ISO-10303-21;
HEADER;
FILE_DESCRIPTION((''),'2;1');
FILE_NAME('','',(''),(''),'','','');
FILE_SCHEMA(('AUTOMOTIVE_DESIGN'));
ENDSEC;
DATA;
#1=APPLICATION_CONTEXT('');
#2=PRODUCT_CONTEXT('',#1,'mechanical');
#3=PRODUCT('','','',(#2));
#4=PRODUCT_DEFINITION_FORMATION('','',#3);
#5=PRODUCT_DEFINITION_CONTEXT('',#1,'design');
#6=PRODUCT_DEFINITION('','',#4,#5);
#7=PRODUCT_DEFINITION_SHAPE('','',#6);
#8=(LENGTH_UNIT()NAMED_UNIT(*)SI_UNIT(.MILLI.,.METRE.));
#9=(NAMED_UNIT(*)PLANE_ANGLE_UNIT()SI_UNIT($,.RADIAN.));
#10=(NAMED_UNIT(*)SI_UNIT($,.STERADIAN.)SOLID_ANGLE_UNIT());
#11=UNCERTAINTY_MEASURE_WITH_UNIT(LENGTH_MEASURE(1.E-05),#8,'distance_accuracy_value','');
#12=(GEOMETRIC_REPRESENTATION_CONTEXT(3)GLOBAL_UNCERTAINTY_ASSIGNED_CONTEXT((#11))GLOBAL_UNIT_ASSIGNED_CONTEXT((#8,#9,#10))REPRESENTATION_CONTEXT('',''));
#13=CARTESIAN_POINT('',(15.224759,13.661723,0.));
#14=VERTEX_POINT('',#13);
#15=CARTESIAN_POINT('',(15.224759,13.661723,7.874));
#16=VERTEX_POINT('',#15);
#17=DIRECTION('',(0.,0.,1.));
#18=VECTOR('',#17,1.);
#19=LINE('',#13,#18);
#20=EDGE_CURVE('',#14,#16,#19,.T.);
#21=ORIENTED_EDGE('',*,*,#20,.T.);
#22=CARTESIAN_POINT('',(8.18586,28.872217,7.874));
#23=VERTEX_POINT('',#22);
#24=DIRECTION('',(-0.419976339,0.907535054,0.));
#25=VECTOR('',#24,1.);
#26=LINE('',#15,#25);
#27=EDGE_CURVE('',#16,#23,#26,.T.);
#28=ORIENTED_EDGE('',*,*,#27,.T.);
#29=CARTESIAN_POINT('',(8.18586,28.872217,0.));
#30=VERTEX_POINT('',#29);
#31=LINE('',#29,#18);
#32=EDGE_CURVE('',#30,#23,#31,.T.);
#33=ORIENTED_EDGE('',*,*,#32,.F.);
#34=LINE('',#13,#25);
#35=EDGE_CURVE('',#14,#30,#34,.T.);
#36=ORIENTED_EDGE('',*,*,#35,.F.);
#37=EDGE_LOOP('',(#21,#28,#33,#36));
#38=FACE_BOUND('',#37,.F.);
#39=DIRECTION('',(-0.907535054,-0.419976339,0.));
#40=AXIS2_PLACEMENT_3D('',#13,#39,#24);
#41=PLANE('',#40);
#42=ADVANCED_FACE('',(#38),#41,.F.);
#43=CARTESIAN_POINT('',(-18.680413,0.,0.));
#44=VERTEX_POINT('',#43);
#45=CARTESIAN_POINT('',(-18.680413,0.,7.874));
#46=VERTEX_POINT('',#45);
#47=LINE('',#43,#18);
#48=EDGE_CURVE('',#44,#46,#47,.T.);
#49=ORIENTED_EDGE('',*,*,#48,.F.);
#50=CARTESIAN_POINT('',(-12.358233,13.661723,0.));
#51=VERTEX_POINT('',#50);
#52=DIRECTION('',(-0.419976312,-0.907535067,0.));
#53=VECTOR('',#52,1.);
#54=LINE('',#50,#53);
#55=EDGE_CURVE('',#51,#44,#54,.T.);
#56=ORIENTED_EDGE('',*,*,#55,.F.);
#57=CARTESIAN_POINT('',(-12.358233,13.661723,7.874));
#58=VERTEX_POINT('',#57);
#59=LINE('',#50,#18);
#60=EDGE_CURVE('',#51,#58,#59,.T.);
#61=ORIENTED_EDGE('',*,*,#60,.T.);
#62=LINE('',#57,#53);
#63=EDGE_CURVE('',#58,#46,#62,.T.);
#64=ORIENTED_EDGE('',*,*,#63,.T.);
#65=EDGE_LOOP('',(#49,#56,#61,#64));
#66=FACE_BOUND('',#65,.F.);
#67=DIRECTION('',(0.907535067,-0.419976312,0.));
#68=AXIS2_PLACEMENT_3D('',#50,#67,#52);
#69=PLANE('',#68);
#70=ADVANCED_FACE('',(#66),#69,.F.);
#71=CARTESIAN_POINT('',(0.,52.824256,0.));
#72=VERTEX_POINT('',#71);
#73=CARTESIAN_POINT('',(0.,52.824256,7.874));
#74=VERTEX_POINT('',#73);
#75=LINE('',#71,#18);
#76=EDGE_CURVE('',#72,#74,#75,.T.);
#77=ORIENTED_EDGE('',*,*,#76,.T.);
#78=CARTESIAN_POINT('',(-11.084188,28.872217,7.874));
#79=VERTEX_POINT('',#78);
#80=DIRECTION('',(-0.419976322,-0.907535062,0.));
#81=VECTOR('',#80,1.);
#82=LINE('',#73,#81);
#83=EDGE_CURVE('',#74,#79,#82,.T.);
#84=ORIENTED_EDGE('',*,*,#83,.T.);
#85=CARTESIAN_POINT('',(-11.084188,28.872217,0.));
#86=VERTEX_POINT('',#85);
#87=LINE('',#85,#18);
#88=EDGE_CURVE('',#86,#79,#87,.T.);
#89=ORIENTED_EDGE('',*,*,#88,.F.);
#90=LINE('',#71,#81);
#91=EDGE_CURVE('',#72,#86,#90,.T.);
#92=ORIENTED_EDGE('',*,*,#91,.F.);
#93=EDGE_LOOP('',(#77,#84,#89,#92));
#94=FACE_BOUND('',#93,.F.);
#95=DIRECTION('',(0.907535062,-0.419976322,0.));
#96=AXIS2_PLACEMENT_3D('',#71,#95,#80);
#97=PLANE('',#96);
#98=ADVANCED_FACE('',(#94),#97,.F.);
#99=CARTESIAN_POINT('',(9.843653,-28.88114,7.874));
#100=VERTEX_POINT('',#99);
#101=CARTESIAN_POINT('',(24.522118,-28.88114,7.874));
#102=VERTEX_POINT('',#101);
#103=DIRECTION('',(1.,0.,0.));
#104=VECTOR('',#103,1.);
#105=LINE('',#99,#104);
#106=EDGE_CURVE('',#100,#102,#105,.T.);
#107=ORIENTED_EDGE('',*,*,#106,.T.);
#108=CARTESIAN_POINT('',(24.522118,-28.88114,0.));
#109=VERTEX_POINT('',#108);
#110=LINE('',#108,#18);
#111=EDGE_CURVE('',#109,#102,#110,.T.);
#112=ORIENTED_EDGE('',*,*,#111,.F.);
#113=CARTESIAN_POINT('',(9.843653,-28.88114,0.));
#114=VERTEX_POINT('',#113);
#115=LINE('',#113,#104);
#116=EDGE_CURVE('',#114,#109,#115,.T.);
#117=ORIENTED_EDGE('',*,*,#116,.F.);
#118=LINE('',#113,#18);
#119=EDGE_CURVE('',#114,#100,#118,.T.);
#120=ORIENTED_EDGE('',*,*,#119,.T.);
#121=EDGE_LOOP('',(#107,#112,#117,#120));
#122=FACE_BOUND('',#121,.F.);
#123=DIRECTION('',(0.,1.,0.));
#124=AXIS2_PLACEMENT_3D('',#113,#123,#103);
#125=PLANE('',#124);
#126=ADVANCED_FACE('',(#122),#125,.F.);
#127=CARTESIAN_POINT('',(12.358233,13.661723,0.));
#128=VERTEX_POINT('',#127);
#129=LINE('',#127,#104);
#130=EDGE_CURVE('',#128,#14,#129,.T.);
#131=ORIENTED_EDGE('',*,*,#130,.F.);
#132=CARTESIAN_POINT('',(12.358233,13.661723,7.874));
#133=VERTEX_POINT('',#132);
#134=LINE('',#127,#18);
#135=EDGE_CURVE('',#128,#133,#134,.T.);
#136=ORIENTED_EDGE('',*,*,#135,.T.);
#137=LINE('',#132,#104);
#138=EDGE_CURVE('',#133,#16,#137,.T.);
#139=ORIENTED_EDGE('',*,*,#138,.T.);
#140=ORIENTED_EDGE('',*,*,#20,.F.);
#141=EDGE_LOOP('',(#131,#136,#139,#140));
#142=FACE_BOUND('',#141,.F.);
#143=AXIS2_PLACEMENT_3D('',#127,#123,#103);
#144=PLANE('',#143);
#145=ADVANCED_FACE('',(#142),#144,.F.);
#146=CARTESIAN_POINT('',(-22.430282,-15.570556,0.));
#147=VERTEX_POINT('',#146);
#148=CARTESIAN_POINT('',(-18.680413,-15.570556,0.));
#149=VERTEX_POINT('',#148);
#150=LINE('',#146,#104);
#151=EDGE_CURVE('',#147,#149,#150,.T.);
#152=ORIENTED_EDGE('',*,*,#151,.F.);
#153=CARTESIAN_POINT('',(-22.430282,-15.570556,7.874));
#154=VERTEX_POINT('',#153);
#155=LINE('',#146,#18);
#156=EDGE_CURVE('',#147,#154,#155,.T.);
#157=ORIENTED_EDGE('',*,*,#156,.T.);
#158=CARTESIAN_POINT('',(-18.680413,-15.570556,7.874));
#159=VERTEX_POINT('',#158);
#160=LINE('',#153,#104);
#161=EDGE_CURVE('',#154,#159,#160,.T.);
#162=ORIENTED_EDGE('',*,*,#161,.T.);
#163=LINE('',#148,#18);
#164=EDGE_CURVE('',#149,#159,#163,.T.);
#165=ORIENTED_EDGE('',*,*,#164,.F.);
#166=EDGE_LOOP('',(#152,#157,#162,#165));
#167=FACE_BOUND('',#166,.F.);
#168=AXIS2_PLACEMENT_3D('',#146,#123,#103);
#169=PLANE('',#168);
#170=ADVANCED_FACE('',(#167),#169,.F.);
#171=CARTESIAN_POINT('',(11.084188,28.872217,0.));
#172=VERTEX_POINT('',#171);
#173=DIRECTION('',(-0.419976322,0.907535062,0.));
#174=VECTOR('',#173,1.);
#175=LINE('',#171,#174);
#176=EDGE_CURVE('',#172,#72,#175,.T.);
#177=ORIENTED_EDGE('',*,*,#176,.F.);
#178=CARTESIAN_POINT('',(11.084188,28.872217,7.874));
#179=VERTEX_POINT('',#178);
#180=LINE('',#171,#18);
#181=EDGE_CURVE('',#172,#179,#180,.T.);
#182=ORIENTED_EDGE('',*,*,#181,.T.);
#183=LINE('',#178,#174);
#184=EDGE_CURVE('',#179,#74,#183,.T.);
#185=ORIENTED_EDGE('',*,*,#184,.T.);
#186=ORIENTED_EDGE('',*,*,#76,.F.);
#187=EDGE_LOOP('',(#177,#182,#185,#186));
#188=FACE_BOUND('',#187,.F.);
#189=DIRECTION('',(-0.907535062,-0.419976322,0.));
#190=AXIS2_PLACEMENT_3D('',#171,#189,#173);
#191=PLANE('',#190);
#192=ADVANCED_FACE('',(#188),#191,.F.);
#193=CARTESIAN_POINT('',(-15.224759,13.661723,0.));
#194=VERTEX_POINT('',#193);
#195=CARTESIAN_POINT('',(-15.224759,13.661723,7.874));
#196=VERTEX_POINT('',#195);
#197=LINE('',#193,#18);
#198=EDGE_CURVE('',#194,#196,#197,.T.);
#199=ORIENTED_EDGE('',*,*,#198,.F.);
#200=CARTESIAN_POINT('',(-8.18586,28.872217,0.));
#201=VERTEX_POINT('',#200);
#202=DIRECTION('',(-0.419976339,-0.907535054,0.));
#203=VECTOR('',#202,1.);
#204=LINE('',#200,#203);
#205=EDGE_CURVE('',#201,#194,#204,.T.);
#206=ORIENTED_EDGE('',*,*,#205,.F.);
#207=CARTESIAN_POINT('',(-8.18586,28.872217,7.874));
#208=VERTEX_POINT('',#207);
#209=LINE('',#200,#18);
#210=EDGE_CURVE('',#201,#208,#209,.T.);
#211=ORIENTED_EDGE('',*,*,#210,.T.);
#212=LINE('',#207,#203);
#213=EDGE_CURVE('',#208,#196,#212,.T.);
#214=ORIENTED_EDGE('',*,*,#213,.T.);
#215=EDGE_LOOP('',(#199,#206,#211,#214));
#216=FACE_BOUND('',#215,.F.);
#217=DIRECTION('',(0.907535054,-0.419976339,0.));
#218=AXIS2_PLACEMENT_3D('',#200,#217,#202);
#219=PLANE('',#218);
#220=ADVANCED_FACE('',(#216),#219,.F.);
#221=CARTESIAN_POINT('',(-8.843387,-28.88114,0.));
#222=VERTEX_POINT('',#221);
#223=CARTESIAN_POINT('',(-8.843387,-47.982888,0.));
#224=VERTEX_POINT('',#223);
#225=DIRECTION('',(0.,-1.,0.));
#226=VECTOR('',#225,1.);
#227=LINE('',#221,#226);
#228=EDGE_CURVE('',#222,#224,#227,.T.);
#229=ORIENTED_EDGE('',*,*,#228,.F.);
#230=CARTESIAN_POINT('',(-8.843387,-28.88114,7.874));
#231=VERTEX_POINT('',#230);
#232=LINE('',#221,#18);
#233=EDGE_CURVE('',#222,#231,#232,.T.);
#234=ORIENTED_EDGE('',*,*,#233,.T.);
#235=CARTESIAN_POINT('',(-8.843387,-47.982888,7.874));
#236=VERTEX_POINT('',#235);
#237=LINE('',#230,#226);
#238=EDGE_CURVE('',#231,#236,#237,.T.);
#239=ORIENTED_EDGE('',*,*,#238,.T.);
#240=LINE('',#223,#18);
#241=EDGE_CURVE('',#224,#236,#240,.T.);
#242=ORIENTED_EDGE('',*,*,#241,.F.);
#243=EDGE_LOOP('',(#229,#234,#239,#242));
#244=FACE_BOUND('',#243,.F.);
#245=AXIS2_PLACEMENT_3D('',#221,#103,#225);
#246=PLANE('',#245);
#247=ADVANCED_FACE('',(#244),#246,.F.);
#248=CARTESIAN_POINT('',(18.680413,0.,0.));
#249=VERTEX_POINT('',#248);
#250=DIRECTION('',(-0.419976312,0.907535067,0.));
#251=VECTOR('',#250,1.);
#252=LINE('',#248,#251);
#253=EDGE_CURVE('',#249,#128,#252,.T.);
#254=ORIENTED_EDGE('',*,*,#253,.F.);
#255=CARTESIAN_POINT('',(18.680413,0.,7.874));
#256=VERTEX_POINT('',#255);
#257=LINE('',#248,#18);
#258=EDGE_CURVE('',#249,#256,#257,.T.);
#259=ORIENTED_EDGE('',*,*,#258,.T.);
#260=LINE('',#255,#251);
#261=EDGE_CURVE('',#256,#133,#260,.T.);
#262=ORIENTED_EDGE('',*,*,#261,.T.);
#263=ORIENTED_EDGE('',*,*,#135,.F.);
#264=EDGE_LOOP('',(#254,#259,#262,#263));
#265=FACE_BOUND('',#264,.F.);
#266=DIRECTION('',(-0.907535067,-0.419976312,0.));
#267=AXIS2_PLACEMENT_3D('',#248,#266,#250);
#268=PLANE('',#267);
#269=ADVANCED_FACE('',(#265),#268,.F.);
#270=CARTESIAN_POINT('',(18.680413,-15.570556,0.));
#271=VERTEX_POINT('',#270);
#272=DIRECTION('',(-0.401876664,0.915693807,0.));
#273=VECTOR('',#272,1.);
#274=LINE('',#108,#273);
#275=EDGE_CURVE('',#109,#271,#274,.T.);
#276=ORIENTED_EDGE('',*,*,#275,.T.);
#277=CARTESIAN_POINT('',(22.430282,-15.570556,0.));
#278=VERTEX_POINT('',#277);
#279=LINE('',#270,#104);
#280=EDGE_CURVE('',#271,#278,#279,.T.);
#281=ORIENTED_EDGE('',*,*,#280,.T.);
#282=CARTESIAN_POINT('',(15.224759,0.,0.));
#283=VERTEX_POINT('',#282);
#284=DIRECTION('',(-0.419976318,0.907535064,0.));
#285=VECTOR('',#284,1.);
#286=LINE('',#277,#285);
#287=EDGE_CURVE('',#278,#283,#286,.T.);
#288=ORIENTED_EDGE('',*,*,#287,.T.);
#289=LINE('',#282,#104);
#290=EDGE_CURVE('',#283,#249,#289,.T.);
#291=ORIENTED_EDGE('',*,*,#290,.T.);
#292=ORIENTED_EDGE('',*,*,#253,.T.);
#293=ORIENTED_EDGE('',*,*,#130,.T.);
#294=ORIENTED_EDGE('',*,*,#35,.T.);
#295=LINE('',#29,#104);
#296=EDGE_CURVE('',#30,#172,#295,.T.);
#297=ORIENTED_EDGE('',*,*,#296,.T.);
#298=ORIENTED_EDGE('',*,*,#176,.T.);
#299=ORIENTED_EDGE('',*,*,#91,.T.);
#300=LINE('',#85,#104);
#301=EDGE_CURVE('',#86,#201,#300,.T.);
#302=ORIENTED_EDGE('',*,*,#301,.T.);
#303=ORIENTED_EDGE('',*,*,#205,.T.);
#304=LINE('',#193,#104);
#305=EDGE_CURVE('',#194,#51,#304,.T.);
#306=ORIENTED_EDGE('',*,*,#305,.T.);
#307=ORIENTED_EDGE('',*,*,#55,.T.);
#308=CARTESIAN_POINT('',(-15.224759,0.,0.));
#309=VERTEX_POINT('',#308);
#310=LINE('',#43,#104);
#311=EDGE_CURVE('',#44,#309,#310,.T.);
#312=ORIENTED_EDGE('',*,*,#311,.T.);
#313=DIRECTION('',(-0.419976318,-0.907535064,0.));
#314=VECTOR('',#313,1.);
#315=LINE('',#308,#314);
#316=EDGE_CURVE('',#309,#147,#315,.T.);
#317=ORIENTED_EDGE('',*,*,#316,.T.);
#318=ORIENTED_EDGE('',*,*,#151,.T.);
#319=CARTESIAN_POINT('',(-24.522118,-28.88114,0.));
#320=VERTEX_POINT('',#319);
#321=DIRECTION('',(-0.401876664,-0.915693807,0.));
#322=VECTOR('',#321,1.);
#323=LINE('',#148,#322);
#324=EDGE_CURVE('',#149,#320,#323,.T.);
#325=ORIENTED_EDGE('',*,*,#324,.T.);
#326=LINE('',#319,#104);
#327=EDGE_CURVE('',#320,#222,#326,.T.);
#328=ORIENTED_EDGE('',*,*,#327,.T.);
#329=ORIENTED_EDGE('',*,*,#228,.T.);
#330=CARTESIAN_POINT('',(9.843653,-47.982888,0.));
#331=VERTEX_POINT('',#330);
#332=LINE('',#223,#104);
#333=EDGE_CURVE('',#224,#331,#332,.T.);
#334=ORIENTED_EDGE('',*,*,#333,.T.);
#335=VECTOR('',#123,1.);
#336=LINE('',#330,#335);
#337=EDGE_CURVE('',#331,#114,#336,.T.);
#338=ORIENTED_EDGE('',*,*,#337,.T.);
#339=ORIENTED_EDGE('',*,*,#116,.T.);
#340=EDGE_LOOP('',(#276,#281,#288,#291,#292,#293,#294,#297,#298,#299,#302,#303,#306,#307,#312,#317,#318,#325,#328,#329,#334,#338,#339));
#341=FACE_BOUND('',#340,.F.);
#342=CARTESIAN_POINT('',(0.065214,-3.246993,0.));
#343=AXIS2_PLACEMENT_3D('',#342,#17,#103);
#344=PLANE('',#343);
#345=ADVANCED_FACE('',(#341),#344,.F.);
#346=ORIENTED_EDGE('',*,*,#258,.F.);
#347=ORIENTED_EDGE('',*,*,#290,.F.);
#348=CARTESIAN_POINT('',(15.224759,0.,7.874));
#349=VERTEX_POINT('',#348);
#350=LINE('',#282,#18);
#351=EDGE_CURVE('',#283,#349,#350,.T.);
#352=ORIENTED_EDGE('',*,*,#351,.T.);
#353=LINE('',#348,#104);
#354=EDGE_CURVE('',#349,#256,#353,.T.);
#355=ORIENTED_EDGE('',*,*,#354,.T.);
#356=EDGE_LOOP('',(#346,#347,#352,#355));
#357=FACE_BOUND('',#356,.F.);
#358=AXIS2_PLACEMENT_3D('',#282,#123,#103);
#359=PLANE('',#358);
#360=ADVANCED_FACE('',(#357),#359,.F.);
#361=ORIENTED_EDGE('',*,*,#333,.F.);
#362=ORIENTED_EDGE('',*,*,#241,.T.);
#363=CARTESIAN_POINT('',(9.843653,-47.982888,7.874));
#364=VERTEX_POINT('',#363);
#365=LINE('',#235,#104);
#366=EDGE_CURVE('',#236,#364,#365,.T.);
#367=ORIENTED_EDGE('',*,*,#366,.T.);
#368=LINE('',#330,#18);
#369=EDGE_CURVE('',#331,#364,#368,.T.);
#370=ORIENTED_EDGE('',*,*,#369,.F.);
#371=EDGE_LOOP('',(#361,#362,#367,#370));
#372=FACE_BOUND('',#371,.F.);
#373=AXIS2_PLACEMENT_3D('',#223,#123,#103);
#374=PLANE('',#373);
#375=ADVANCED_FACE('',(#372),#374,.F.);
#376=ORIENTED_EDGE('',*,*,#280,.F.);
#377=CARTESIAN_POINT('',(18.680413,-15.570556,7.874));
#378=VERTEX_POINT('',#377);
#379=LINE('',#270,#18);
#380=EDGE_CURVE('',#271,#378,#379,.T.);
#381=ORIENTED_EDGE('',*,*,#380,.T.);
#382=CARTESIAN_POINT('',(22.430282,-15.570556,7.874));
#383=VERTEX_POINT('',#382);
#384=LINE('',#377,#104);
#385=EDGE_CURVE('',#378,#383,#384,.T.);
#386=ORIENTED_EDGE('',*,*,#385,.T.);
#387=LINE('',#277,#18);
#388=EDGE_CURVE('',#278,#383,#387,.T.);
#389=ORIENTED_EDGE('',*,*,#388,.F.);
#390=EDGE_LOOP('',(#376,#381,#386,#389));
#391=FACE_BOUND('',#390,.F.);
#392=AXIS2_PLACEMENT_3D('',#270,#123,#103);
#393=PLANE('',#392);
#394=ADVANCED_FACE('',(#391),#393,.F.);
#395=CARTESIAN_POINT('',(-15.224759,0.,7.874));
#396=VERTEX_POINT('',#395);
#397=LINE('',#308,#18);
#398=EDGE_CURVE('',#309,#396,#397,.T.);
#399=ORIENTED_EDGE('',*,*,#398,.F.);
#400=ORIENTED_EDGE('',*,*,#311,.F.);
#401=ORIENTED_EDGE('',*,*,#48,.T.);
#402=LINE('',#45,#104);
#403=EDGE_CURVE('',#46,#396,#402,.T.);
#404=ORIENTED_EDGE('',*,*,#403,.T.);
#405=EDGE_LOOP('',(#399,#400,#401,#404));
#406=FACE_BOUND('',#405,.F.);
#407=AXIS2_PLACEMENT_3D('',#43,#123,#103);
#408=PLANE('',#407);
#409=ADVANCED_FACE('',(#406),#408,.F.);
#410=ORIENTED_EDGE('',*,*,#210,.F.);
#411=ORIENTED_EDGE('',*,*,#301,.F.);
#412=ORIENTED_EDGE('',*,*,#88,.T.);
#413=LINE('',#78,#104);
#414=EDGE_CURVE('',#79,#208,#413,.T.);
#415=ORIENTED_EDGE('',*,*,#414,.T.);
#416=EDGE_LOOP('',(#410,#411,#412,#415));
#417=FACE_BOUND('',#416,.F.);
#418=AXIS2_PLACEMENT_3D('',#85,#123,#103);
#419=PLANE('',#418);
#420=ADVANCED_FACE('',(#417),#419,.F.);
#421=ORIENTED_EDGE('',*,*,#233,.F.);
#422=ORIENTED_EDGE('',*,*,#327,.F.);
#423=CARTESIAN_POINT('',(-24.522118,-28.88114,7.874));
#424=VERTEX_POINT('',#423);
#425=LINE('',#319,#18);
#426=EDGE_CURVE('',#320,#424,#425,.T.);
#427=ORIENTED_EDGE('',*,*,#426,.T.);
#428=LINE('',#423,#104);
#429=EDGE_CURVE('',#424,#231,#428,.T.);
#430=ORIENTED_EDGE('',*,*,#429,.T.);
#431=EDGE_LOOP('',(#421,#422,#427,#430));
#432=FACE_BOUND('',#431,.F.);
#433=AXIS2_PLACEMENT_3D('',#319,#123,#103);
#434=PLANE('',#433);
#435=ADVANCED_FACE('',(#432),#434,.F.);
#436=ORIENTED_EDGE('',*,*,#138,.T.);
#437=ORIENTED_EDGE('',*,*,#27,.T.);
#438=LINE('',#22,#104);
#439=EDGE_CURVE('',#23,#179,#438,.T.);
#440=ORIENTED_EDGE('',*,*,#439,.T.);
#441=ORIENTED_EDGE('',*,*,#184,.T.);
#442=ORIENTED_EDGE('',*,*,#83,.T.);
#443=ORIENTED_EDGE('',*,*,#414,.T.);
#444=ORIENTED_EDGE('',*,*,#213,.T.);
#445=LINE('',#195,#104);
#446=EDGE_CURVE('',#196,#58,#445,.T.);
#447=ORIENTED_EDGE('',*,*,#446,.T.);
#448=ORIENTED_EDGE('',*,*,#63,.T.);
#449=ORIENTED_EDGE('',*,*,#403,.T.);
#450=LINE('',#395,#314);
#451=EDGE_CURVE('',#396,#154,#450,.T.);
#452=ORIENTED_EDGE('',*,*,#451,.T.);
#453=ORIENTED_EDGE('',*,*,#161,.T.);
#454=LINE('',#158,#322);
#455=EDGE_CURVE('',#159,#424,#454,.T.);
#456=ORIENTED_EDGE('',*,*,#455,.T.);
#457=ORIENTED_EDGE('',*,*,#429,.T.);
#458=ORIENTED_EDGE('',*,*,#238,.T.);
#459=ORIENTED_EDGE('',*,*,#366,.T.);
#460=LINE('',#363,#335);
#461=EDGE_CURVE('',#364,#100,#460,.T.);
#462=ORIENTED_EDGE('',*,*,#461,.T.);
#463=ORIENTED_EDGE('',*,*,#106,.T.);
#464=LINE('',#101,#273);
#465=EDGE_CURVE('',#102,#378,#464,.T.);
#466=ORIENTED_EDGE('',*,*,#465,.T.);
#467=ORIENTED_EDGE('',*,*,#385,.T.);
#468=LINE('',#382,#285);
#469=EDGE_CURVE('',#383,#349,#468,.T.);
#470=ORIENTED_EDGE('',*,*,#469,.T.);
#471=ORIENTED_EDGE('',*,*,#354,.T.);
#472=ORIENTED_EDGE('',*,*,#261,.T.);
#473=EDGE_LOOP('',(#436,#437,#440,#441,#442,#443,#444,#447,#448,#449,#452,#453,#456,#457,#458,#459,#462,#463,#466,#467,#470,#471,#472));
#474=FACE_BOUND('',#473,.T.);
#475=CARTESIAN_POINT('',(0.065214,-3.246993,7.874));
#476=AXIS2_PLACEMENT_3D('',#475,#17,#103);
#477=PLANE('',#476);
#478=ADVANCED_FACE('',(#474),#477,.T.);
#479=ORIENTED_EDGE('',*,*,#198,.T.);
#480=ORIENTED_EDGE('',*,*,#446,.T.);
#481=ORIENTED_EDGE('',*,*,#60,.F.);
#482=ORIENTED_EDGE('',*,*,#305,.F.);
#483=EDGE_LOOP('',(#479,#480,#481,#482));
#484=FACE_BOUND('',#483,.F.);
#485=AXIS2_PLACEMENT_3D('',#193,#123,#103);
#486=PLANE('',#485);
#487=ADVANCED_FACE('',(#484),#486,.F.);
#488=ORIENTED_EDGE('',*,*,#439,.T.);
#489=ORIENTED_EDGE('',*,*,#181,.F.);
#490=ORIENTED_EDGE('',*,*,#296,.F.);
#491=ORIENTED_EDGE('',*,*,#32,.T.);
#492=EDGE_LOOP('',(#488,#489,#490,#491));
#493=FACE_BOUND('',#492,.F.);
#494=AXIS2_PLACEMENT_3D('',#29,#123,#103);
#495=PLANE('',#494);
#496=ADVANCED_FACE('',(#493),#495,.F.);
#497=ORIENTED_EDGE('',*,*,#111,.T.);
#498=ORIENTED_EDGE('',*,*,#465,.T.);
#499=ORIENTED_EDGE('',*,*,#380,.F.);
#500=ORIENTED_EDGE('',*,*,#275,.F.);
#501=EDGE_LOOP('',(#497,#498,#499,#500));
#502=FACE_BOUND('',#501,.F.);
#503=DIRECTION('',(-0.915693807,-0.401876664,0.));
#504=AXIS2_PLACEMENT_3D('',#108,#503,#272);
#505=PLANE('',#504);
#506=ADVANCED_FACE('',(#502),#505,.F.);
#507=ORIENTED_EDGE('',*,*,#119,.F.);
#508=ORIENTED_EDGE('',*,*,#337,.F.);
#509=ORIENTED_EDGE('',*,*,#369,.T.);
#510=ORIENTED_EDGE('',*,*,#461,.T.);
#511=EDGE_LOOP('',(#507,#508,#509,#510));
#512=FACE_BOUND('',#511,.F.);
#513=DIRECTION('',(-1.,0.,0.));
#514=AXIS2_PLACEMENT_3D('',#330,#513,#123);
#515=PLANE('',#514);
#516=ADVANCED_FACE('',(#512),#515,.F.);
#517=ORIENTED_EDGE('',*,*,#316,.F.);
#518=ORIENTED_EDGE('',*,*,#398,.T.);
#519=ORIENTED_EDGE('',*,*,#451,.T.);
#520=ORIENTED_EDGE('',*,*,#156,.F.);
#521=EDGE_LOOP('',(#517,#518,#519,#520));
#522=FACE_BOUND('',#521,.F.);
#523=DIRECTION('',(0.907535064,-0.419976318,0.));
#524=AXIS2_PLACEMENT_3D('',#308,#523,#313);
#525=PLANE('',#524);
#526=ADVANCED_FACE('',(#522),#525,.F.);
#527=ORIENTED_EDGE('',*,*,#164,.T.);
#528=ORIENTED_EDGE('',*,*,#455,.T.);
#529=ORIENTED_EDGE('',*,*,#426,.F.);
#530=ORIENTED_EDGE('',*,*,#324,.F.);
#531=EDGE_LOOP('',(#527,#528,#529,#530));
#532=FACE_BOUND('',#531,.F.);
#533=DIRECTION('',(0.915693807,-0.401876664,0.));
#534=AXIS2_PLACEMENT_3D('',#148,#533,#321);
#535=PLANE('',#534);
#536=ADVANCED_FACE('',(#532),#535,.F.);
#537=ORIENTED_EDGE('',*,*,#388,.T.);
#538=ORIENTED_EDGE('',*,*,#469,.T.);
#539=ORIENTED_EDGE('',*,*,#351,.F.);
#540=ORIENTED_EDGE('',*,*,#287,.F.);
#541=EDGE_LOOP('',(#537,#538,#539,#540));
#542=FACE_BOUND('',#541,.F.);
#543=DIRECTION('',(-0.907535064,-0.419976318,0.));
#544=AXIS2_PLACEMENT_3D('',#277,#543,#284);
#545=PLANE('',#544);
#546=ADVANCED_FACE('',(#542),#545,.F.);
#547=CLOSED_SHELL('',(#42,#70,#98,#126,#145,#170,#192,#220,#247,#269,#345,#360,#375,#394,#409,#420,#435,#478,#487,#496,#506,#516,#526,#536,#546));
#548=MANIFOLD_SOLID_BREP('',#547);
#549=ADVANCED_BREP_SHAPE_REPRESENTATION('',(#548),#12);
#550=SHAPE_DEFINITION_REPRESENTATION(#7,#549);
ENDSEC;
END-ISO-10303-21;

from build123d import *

# Parameters (mm, degrees)
F1_DEPTH = 7.874


with BuildPart() as f1:
    # F0 (on Top) → F1 (new body)
    with BuildSketch(Plane.XY):
        Polygon((11.084188, 28.872217), (0, 52.824256), (-11.084188, 28.872217), (-8.18586, 28.872217), (-15.224759, 13.661723), (-12.358233, 13.661723), (-18.680413, 0), (-15.224759, 0), (-22.430282, -15.570556), (-18.680413, -15.570556), (-24.522118, -28.88114), (-8.843387, -28.88114), (-8.843387, -47.982888), (0, -47.982888), (9.843653, -47.982888), (9.843653, -28.88114), (24.522118, -28.88114), (18.680413, -15.570556), (22.430282, -15.570556), (15.224759, 0), (18.680413, 0), (12.358233, 13.661723), (15.224759, 13.661723), (8.18586, 28.872217), align=None)
    extrude(amount=F1_DEPTH)


solid = f1.part
